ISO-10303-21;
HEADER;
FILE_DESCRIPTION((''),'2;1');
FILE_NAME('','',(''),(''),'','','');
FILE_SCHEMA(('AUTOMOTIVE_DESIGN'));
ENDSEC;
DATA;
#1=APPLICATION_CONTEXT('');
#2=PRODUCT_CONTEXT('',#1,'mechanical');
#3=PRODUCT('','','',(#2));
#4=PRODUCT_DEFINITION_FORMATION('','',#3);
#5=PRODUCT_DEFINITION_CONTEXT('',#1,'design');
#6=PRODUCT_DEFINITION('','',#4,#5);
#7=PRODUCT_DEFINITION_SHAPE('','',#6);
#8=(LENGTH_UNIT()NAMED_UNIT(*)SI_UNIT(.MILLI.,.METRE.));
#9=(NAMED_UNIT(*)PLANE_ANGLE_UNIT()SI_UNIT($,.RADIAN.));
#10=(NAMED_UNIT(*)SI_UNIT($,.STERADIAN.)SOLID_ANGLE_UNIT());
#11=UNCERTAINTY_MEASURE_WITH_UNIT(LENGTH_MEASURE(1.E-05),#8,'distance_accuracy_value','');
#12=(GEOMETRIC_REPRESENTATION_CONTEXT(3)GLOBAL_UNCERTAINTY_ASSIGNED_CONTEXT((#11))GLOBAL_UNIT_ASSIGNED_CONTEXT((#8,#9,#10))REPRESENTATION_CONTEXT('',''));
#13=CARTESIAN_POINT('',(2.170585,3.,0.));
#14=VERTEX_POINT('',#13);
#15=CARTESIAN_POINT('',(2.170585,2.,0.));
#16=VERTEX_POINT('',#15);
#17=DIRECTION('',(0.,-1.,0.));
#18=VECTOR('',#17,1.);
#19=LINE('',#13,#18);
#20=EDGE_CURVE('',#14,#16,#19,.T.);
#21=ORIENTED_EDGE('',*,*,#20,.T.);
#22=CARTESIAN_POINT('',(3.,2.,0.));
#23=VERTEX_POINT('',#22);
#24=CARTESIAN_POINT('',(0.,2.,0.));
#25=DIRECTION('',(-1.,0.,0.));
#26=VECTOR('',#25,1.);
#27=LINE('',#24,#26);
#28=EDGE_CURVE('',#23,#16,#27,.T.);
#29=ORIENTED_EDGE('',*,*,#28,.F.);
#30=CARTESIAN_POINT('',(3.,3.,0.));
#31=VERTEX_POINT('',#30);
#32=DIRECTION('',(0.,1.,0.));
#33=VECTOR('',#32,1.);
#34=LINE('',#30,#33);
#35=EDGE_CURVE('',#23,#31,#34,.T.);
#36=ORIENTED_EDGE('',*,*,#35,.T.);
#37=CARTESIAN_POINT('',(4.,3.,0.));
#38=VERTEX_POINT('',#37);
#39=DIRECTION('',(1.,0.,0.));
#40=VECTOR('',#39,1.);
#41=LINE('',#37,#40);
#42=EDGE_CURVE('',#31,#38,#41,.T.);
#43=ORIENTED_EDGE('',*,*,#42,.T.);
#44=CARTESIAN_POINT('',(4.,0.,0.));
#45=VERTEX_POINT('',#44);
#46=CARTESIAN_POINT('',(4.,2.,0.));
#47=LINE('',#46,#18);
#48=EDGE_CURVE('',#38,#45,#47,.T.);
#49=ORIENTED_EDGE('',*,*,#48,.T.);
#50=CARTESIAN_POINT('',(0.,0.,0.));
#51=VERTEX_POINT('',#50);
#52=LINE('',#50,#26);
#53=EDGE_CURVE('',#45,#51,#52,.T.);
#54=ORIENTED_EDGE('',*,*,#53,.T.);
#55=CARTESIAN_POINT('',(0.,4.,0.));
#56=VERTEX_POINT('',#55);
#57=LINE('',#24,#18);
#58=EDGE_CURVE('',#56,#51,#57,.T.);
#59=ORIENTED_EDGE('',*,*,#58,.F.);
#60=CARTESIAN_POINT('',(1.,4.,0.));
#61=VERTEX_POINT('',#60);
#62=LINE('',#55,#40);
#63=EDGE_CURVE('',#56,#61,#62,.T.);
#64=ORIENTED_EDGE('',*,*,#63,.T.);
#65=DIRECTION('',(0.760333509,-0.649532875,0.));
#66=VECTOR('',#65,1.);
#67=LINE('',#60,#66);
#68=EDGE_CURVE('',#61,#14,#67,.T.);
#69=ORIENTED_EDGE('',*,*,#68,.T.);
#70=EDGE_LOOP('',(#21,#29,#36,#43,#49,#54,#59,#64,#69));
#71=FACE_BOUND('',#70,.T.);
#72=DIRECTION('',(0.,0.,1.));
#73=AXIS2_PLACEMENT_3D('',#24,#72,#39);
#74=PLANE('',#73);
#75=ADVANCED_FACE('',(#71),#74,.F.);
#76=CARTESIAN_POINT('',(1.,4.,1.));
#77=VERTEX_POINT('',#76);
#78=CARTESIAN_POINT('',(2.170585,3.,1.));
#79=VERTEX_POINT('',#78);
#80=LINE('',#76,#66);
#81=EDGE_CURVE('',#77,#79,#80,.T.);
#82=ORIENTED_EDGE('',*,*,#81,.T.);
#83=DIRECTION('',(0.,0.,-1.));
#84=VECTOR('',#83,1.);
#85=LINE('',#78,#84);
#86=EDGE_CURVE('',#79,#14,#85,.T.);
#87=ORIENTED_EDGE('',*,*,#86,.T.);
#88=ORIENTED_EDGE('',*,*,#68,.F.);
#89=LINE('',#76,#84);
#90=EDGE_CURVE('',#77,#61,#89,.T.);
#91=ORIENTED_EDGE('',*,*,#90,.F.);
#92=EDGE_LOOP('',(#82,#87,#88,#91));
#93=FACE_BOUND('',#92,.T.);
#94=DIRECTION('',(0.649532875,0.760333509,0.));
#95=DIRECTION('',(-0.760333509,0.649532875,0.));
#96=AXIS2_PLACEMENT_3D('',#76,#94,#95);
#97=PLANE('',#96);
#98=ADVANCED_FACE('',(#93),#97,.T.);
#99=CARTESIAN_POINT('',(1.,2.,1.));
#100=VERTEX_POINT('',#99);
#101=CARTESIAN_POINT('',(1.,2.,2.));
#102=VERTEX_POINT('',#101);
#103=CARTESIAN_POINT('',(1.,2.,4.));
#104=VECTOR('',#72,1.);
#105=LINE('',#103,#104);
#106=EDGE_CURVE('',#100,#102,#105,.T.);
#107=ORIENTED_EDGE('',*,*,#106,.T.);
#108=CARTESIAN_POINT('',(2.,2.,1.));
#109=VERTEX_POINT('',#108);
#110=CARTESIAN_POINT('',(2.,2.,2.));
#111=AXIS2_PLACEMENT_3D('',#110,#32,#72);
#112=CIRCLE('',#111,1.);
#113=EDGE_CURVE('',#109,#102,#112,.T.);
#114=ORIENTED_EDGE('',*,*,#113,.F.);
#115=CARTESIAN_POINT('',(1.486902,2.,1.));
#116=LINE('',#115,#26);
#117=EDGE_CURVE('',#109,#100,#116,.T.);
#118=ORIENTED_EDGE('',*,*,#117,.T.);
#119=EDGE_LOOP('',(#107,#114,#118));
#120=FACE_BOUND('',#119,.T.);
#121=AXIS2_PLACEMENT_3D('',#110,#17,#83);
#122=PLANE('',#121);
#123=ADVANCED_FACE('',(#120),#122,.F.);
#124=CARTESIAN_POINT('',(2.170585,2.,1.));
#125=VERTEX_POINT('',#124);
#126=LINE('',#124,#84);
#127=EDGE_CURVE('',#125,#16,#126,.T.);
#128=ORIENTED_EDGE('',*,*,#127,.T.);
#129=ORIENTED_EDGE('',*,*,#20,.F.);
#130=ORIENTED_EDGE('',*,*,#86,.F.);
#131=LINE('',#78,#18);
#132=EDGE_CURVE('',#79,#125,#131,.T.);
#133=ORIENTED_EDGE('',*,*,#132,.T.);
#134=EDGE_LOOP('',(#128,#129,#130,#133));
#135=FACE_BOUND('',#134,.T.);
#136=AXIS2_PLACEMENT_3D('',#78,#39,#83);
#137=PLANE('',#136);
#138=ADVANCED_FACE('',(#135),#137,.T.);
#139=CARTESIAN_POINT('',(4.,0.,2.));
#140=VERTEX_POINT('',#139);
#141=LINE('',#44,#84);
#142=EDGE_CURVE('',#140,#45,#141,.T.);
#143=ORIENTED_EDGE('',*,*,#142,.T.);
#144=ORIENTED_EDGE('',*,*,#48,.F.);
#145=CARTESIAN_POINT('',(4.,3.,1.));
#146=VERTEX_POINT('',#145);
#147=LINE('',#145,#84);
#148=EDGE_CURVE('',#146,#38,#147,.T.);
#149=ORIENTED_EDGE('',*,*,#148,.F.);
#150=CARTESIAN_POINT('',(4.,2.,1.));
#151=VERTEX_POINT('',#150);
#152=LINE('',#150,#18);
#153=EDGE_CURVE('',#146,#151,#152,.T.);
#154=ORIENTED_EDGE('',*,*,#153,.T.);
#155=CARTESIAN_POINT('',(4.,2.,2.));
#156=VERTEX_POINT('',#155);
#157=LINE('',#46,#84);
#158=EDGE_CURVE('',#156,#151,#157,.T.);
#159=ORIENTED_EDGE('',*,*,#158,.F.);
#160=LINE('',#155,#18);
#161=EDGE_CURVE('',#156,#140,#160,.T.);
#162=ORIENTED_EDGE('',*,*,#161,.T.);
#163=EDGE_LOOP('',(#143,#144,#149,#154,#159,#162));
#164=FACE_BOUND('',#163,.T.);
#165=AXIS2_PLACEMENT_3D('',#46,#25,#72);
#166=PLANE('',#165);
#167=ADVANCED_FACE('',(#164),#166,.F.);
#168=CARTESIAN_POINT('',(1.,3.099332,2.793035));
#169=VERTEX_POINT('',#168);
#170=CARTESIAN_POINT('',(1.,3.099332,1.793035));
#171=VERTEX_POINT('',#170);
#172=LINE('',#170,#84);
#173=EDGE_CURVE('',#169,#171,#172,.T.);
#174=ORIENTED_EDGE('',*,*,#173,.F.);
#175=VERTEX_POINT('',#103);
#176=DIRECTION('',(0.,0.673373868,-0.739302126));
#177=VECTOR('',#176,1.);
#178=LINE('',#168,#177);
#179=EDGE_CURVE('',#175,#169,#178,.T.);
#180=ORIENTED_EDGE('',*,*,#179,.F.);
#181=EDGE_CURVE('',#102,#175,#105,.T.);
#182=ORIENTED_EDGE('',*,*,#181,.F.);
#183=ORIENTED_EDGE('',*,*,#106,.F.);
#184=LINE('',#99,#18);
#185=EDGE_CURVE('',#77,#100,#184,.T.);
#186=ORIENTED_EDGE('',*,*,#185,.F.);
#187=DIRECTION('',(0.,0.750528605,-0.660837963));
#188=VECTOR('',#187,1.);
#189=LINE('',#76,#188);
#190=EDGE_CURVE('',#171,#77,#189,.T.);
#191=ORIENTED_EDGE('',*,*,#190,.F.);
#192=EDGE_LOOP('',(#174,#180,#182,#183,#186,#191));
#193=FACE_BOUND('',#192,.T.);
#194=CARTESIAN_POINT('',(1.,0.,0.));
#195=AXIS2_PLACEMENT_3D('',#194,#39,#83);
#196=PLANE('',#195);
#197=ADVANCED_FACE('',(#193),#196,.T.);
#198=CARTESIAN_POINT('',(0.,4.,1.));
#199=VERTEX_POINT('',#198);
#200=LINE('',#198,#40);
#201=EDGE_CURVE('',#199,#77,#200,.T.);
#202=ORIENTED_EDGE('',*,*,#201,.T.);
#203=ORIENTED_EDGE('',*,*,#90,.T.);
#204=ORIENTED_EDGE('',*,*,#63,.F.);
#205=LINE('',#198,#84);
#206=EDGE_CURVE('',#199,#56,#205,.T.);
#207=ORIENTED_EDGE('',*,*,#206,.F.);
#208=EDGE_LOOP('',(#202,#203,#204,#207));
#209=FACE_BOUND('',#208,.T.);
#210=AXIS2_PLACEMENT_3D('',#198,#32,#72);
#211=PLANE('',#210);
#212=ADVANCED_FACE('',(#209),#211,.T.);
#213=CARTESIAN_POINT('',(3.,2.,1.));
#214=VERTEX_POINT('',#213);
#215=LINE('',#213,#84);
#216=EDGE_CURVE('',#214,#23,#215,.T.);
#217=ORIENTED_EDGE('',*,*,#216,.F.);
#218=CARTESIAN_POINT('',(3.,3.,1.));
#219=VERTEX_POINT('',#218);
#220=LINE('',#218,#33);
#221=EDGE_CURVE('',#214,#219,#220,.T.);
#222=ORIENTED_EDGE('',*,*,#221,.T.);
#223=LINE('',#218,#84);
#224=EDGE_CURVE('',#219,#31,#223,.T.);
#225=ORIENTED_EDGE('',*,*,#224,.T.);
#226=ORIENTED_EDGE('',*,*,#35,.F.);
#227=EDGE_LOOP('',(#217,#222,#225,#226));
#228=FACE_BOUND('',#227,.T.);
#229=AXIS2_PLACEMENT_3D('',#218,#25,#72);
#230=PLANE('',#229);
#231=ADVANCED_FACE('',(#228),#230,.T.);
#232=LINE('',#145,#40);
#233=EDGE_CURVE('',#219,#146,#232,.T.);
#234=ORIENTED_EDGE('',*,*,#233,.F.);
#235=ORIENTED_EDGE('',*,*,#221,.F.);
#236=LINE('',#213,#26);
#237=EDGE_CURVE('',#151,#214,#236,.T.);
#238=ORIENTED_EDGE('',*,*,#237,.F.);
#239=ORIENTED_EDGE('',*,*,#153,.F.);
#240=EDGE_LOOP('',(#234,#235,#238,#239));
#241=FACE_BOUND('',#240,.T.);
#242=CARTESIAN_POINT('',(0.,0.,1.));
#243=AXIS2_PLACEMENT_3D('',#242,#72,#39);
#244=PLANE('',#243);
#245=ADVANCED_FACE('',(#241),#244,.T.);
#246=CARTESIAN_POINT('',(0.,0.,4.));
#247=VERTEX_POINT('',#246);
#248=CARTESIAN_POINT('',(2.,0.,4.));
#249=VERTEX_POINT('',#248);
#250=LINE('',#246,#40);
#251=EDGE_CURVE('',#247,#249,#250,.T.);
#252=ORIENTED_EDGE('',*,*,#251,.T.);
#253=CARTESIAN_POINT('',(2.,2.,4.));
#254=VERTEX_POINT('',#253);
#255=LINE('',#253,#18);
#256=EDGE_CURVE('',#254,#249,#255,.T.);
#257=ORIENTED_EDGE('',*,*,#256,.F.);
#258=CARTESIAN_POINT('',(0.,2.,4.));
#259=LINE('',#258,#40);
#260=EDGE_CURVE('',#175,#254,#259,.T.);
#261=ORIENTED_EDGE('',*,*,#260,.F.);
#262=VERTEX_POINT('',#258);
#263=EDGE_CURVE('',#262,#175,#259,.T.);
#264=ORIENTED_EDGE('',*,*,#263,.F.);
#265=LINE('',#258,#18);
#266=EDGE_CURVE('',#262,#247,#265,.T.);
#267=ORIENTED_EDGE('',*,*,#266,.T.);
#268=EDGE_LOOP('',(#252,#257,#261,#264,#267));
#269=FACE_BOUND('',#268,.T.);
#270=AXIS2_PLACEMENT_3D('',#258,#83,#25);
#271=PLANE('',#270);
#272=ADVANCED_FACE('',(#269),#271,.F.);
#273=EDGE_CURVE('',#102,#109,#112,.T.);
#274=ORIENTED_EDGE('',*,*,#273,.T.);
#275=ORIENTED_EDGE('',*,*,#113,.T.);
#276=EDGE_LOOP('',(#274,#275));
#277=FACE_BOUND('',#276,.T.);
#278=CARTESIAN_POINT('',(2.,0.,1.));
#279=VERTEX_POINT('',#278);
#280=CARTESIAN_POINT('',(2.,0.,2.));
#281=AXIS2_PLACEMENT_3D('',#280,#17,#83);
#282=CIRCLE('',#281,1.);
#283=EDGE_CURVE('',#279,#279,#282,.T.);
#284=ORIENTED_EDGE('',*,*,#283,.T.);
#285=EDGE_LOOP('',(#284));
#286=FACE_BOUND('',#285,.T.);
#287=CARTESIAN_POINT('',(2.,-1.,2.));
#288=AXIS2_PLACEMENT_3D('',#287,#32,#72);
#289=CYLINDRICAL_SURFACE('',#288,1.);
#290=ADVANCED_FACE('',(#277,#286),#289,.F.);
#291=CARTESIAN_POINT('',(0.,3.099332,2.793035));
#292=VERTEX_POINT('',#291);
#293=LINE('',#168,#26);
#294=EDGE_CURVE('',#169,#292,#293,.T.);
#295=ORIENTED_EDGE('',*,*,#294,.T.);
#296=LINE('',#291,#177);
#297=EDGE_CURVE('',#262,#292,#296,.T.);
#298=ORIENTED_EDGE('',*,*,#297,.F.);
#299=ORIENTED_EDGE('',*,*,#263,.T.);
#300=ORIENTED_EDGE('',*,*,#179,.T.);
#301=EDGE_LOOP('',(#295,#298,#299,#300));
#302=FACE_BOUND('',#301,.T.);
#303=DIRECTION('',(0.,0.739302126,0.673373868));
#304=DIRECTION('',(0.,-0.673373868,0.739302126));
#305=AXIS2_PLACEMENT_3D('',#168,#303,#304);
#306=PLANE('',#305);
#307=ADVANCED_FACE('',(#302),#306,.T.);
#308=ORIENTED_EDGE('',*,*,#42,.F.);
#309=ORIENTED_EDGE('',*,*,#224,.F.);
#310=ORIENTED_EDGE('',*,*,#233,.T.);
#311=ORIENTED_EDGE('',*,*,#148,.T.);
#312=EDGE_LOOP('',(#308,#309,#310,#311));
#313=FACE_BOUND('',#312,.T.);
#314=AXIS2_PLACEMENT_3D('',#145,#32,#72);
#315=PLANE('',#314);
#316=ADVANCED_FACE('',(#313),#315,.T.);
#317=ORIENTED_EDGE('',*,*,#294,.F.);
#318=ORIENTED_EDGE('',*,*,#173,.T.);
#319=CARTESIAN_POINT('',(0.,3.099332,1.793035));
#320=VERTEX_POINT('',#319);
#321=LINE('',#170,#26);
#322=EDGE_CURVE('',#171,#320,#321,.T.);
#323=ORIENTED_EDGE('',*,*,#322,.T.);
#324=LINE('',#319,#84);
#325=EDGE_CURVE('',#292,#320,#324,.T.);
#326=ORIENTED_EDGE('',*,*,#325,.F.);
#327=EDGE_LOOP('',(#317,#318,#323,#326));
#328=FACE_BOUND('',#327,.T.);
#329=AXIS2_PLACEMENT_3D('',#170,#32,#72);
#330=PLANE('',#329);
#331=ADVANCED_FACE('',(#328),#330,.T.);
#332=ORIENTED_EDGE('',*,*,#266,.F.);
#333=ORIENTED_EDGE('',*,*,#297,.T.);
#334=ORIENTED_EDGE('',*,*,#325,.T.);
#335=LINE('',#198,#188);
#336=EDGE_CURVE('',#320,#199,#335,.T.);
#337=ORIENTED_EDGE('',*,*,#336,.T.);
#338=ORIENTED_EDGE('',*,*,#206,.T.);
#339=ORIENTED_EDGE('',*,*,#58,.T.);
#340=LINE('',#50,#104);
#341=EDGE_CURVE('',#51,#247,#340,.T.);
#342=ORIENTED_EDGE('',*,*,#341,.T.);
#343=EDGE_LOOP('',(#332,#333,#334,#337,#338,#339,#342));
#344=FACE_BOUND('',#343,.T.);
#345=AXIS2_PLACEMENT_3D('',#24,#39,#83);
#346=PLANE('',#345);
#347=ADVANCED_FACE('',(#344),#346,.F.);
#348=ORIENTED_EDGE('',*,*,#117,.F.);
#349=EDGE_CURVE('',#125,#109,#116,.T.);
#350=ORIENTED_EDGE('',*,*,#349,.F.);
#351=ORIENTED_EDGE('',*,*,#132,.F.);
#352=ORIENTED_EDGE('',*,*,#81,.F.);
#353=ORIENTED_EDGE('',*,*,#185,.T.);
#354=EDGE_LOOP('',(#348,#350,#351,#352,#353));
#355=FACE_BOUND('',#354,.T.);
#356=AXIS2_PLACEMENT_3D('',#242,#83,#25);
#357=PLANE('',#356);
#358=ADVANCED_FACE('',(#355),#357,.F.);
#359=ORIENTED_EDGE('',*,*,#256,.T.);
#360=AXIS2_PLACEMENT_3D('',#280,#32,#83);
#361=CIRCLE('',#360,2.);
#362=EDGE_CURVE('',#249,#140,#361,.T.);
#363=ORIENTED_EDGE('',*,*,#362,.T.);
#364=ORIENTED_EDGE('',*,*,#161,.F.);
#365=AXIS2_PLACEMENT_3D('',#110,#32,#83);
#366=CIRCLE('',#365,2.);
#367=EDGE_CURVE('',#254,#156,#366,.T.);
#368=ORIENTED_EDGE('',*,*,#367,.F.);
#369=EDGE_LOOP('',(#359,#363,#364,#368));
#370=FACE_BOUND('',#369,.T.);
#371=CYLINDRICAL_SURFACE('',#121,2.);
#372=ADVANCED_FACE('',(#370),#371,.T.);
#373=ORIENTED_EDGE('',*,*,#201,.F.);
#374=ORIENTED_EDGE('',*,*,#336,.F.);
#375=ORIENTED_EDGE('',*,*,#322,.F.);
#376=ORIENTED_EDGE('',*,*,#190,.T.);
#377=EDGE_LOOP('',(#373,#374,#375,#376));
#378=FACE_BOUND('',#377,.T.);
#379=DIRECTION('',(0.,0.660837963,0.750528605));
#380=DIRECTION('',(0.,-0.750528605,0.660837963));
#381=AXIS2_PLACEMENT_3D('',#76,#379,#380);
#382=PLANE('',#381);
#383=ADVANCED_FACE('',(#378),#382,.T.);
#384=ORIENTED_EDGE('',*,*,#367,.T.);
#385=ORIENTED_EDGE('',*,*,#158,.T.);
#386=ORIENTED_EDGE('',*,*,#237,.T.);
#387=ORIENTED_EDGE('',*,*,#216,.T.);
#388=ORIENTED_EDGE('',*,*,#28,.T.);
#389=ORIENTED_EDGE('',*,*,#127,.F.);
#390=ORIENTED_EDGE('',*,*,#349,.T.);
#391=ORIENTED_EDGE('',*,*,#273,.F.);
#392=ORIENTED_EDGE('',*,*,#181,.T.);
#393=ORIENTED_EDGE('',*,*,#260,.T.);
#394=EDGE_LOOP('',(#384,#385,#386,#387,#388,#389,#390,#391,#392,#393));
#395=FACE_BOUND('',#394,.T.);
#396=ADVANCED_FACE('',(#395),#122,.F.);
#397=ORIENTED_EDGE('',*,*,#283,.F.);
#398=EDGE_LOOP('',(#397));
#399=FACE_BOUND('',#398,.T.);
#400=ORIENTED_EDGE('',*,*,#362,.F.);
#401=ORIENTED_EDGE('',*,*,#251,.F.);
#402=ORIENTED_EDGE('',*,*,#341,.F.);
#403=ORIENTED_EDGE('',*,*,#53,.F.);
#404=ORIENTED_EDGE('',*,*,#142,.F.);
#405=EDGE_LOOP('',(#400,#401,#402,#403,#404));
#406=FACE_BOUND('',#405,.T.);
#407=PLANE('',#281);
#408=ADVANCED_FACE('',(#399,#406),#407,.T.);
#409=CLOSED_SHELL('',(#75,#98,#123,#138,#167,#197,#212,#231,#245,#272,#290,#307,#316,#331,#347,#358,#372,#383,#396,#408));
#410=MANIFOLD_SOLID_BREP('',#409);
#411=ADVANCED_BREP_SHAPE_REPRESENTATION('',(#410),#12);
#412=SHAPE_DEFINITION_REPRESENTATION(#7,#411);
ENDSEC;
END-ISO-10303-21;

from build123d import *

# Parameters (mm, degrees)
EXTRUDE_1_DEPTH     = 2
SKETCH_2_W          = 1
SKETCH_2_H          = 1
EXTRUDE_2_DEPTH     = 1
EXTRUDE_3_DEPTH     = 1
SKETCH_4_R          = 1
CUT_EXTRUDE_1_DEPTH = 3


with BuildPart() as part:
    # 草圖1 → 填料-伸長1 (new body)
    with BuildSketch(Plane(origin=(0, 0, 0), x_dir=(1, 0, 0), z_dir=(0, 1, 0))):
        with BuildLine():
            Line((0, 0), (4, 0))
            Line((4, 0), (4, -2))
            ThreePointArc((4, -2), (3.414213562, -3.414213562), (2, -4))
            Line((2, -4), (0, -4))
            Line((0, -4), (0, 0))
        make_face()
    extrude(amount=EXTRUDE_1_DEPTH)

    # 草圖2 → 填料-伸長2 (add)
    with BuildSketch(Plane(origin=(0, 0, 0), x_dir=(-1, 0, 0), z_dir=(0, 0, -1))):
        with Locations((-3.5, 2.5)):
            Rectangle(SKETCH_2_W, SKETCH_2_H)
        Polygon((0, 2), (0, 4), (-1, 4), (-2.170585106, 3), (-2.170585106, 2), (-1.48690172, 2), align=None)
    extrude(amount=-EXTRUDE_2_DEPTH)

    # 草圖3 → 填料-伸長3 (add)
    with BuildSketch(Plane.ZY):
        Polygon((1, 4), (1.793034804, 3.099332456), (2.793034804, 3.099332456), (4, 2), (1, 2), align=None)
    extrude(amount=-EXTRUDE_3_DEPTH)

    # 草圖4 → 除料-伸長1 (cut)
    with BuildSketch(Plane(origin=(0, 2, 0), x_dir=(1, 0, 0), z_dir=(0, 1, 0))):
        with Locations(Location((2, -2, 0), (0, 0, 90))):
            Circle(SKETCH_4_R)
    extrude(amount=-CUT_EXTRUDE_1_DEPTH, mode=Mode.SUBTRACT)


solid = part.part
